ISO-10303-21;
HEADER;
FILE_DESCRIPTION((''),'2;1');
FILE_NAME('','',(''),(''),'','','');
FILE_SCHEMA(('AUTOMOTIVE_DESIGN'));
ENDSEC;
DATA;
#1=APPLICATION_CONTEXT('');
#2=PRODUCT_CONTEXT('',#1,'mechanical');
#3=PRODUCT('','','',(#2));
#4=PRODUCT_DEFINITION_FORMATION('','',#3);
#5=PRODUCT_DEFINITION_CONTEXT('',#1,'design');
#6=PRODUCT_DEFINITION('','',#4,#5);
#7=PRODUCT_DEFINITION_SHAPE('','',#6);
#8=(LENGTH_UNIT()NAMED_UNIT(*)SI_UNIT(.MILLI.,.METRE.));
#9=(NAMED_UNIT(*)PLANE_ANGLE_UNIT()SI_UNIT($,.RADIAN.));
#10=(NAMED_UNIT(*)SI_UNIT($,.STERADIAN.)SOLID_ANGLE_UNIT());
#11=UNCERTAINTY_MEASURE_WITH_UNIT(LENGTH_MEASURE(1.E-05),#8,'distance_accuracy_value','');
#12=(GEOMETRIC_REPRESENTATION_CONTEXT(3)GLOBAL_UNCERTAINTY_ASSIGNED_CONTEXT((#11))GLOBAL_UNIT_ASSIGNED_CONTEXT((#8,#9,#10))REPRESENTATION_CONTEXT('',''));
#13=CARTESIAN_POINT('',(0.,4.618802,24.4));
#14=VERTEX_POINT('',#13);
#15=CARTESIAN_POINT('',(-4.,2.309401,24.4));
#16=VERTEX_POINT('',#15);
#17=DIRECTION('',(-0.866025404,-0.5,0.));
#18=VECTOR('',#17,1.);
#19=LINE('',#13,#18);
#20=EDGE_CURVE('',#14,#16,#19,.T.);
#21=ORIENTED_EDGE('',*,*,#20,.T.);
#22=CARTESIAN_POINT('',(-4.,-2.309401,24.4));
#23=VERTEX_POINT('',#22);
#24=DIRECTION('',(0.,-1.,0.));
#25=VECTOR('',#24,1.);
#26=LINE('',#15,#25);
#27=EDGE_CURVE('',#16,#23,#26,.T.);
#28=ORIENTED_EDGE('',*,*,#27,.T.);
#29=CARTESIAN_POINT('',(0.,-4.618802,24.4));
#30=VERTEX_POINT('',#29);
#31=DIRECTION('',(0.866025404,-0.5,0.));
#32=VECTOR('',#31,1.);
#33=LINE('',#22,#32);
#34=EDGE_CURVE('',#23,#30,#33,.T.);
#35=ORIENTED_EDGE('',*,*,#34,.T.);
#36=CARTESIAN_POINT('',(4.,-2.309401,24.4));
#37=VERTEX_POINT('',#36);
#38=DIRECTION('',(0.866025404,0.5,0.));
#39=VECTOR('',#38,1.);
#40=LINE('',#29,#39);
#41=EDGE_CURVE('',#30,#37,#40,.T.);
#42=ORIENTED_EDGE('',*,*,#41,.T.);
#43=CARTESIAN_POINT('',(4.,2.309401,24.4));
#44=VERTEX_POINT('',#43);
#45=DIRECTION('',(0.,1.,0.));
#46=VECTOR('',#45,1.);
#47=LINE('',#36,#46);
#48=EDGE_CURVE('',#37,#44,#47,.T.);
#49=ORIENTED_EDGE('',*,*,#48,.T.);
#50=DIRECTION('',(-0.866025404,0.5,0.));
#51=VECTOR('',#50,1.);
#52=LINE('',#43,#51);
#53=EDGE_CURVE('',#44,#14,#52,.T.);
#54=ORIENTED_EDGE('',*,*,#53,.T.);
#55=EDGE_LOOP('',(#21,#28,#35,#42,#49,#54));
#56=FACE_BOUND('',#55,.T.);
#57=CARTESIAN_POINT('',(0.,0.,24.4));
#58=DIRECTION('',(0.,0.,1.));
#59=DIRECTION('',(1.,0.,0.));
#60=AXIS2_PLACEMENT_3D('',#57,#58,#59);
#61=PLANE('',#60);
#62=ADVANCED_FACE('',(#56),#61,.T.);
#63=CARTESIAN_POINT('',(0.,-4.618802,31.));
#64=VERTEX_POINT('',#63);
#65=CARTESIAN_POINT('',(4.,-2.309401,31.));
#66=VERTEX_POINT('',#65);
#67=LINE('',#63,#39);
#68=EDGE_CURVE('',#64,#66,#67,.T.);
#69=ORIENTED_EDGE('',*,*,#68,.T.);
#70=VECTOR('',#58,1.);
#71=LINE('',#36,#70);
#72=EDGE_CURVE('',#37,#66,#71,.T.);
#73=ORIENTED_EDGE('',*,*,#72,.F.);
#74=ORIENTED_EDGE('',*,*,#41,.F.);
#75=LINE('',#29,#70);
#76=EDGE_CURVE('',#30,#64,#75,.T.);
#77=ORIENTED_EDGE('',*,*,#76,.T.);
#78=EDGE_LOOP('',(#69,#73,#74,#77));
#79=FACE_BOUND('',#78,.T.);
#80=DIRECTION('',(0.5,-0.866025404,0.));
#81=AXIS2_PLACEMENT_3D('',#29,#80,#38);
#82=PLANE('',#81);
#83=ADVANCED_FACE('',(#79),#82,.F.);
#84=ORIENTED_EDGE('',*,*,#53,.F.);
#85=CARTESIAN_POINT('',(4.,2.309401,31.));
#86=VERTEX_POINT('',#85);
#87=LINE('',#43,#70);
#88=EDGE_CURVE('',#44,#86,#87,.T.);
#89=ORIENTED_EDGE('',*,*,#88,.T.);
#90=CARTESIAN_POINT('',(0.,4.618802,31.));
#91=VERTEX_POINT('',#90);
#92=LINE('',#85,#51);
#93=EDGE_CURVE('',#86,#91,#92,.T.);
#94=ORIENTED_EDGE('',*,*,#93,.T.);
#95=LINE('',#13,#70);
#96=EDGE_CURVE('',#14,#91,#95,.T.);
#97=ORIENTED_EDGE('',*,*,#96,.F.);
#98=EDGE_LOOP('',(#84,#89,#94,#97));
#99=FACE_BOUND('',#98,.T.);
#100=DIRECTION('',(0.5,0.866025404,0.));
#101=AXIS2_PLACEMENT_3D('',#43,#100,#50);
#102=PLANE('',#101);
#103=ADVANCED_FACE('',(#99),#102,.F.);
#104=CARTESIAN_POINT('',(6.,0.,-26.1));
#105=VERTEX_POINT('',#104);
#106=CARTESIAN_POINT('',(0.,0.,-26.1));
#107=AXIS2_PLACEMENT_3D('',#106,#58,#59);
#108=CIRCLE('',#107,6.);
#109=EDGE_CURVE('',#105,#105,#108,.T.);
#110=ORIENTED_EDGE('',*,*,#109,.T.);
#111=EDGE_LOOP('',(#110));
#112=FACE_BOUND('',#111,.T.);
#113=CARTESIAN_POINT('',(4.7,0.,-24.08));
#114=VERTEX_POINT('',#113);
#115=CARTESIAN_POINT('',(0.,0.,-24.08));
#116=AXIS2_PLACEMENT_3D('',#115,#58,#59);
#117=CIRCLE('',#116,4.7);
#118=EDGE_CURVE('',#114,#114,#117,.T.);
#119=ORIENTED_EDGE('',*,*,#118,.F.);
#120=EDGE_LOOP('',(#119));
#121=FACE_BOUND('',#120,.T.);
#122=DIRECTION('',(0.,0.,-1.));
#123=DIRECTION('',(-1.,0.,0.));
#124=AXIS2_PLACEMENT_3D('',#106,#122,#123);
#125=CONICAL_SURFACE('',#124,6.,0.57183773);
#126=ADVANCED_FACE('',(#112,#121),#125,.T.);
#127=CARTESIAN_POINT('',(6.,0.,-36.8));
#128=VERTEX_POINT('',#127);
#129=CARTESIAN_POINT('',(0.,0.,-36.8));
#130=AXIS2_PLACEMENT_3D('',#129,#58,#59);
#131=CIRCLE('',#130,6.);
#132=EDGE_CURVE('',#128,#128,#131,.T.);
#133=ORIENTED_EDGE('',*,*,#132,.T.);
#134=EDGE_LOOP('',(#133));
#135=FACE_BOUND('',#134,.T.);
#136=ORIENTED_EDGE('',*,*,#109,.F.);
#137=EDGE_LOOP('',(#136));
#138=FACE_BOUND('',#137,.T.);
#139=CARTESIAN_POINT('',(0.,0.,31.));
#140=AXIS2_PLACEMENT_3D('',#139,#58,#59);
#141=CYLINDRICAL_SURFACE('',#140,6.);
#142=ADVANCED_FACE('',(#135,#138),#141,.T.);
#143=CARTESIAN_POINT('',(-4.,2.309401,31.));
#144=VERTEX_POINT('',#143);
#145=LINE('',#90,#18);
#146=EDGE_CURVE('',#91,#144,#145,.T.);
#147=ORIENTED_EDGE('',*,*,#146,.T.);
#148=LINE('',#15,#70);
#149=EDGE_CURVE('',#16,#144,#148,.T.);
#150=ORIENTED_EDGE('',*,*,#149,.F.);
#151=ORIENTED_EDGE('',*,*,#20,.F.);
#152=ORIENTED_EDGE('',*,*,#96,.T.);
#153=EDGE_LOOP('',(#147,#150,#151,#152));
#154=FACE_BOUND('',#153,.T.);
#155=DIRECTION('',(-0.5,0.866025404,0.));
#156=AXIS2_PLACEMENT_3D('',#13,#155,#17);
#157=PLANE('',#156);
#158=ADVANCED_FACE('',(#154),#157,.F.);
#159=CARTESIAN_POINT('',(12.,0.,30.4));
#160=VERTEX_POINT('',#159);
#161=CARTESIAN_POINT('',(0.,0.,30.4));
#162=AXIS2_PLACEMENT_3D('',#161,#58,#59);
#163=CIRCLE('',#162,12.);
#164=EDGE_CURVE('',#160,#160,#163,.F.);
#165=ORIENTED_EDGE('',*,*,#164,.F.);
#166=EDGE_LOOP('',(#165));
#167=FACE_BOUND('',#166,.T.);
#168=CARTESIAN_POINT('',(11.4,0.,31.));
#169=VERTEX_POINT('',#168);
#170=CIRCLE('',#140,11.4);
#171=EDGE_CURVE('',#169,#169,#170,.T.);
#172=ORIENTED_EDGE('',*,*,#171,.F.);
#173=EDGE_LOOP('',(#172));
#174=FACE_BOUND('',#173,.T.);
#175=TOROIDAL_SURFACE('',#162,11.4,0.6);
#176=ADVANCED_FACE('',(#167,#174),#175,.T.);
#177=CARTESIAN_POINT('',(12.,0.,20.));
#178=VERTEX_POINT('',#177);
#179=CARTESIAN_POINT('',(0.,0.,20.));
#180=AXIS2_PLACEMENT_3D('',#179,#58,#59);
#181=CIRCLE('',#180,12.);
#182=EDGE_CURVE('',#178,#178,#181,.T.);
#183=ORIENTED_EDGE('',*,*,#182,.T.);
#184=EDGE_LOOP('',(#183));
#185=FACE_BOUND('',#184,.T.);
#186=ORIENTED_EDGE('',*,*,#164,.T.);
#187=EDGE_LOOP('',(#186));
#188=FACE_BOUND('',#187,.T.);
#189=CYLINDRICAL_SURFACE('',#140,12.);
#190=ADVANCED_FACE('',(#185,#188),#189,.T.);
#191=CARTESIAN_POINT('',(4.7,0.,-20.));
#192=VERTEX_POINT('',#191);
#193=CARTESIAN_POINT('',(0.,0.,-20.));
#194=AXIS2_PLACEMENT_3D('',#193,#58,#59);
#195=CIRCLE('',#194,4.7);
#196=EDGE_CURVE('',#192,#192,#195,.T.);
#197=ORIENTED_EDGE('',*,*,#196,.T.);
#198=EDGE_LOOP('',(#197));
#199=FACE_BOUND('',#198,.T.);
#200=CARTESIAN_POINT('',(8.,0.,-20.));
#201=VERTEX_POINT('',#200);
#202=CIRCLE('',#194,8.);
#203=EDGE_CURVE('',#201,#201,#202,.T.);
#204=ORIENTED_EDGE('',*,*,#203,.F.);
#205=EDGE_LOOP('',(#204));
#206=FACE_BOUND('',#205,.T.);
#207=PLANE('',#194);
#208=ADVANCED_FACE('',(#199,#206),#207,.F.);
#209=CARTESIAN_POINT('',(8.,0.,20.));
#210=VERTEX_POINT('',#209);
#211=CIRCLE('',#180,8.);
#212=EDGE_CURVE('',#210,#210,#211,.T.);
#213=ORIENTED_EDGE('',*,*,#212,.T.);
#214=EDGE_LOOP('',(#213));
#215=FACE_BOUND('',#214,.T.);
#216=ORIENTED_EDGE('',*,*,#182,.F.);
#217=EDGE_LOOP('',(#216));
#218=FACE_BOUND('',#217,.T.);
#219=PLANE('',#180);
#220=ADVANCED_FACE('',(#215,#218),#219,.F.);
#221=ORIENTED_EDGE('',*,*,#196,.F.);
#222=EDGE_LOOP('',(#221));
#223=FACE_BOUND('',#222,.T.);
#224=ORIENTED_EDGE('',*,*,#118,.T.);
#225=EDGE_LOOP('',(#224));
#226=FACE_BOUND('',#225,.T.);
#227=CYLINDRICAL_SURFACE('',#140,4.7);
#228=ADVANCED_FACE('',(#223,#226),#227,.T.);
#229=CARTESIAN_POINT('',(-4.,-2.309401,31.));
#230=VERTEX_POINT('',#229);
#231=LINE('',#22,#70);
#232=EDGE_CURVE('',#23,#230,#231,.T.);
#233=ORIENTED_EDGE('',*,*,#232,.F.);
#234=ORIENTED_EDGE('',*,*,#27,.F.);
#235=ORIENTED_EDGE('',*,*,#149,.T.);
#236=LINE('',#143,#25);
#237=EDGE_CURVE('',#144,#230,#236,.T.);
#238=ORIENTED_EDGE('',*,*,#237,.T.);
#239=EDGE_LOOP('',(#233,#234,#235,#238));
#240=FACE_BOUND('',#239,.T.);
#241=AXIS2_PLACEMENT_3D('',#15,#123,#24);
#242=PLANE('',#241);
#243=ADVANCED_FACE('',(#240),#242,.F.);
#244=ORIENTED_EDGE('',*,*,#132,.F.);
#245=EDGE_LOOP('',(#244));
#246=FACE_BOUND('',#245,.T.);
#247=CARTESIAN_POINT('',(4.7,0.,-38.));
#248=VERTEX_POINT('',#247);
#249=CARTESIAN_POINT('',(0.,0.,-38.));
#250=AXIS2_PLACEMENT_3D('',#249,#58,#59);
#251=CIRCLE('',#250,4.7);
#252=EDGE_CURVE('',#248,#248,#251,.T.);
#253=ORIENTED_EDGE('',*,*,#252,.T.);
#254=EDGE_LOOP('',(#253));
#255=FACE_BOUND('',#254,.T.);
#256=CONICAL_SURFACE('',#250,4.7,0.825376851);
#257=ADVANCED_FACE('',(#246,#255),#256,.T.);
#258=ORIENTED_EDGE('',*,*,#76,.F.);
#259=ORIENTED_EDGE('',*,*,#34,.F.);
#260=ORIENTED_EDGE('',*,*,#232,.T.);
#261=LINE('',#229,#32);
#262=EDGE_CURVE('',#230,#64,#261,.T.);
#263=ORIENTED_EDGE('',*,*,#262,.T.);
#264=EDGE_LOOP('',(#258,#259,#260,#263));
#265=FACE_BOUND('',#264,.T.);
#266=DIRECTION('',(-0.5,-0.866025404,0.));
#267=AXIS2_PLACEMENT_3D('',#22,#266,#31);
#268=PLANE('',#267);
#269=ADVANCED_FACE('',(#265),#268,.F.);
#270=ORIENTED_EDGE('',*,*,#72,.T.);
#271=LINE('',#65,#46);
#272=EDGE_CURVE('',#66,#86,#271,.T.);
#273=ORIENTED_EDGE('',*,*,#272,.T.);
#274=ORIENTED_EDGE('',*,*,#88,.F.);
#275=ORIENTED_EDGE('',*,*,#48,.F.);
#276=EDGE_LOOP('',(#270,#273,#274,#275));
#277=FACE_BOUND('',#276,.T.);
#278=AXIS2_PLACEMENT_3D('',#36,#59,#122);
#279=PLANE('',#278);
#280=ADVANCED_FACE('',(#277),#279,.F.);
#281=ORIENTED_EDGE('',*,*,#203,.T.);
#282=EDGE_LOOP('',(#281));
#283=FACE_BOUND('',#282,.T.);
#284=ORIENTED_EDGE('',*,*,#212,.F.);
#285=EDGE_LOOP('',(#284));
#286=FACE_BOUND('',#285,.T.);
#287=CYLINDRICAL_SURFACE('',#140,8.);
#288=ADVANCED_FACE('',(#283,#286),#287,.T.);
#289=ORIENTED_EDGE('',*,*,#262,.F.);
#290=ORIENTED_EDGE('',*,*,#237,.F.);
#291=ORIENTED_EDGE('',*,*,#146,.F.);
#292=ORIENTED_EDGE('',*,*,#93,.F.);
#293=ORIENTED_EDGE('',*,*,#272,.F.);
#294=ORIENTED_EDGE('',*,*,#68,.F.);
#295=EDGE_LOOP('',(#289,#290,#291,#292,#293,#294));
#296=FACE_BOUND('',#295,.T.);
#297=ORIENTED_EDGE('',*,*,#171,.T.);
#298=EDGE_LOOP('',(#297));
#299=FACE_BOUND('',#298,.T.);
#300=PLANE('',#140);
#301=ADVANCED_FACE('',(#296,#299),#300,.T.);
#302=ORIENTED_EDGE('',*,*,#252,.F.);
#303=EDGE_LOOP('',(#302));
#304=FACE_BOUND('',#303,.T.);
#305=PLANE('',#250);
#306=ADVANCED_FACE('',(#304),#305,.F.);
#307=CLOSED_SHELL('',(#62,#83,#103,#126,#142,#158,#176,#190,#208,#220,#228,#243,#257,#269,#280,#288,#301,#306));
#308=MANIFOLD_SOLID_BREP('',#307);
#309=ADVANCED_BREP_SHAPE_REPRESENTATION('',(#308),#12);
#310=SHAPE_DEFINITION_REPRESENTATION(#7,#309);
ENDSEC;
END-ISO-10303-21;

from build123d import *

# Parameters (mm, degrees)
SZKIC1_W                   = 4.7
SZKIC1_H                   = 4.08
WYTNIJ_WYCI_GNI_CIE1_DEPTH = 6.6
ZAOKR_GLENIE1_R            = 0.6


with BuildPart() as part:
    # Szkic1 → Obrót1 (revolve)
    with BuildSketch(Plane(origin=(0, 0, 0), x_dir=(1, 0, 0), z_dir=(0, 1, 0)), mode=Mode.PRIVATE) as obr_t1_sk:
        Polygon((0, -31), (0, -20), (-8, -20), (-12, -20), (-12, -31), align=None)
        Polygon((0, -20), (0, 20), (-4.7, 20), (-8, 20), (-8, -20), align=None)
        with Locations((-2.35, 22.04)):
            Rectangle(SZKIC1_W, SZKIC1_H)
        Polygon((-4.7, 24.08), (0, 24.08), (0, 38), (-4.7, 38), (-6, 36.8), (-6, 26.1), align=None)
    revolve(obr_t1_sk.sketch.rotate(Axis((0, 0, 31), (0, 0, -1)), 180), axis=Axis((0, 0, 31), (0, 0, -1)))

    # Szkic2 → Wytnij-wyciągnięcie1 (cut)
    with BuildSketch(Plane.XY.offset(31)):
        Polygon((4, 2.309401077), (0, 4.618802154), (-4, 2.309401077), (-4, -2.309401077), (0, -4.618802154), (4, -2.309401077), align=None)
    extrude(amount=-WYTNIJ_WYCI_GNI_CIE1_DEPTH, mode=Mode.SUBTRACT)

    # Zaokrąglenie1
    zaokr_glenie1_edges = [part.edges().sort_by_distance(p)[0] for p in [
        (-12, 0, 31),
    ]]
    fillet(zaokr_glenie1_edges, radius=ZAOKR_GLENIE1_R)


solid = part.part
